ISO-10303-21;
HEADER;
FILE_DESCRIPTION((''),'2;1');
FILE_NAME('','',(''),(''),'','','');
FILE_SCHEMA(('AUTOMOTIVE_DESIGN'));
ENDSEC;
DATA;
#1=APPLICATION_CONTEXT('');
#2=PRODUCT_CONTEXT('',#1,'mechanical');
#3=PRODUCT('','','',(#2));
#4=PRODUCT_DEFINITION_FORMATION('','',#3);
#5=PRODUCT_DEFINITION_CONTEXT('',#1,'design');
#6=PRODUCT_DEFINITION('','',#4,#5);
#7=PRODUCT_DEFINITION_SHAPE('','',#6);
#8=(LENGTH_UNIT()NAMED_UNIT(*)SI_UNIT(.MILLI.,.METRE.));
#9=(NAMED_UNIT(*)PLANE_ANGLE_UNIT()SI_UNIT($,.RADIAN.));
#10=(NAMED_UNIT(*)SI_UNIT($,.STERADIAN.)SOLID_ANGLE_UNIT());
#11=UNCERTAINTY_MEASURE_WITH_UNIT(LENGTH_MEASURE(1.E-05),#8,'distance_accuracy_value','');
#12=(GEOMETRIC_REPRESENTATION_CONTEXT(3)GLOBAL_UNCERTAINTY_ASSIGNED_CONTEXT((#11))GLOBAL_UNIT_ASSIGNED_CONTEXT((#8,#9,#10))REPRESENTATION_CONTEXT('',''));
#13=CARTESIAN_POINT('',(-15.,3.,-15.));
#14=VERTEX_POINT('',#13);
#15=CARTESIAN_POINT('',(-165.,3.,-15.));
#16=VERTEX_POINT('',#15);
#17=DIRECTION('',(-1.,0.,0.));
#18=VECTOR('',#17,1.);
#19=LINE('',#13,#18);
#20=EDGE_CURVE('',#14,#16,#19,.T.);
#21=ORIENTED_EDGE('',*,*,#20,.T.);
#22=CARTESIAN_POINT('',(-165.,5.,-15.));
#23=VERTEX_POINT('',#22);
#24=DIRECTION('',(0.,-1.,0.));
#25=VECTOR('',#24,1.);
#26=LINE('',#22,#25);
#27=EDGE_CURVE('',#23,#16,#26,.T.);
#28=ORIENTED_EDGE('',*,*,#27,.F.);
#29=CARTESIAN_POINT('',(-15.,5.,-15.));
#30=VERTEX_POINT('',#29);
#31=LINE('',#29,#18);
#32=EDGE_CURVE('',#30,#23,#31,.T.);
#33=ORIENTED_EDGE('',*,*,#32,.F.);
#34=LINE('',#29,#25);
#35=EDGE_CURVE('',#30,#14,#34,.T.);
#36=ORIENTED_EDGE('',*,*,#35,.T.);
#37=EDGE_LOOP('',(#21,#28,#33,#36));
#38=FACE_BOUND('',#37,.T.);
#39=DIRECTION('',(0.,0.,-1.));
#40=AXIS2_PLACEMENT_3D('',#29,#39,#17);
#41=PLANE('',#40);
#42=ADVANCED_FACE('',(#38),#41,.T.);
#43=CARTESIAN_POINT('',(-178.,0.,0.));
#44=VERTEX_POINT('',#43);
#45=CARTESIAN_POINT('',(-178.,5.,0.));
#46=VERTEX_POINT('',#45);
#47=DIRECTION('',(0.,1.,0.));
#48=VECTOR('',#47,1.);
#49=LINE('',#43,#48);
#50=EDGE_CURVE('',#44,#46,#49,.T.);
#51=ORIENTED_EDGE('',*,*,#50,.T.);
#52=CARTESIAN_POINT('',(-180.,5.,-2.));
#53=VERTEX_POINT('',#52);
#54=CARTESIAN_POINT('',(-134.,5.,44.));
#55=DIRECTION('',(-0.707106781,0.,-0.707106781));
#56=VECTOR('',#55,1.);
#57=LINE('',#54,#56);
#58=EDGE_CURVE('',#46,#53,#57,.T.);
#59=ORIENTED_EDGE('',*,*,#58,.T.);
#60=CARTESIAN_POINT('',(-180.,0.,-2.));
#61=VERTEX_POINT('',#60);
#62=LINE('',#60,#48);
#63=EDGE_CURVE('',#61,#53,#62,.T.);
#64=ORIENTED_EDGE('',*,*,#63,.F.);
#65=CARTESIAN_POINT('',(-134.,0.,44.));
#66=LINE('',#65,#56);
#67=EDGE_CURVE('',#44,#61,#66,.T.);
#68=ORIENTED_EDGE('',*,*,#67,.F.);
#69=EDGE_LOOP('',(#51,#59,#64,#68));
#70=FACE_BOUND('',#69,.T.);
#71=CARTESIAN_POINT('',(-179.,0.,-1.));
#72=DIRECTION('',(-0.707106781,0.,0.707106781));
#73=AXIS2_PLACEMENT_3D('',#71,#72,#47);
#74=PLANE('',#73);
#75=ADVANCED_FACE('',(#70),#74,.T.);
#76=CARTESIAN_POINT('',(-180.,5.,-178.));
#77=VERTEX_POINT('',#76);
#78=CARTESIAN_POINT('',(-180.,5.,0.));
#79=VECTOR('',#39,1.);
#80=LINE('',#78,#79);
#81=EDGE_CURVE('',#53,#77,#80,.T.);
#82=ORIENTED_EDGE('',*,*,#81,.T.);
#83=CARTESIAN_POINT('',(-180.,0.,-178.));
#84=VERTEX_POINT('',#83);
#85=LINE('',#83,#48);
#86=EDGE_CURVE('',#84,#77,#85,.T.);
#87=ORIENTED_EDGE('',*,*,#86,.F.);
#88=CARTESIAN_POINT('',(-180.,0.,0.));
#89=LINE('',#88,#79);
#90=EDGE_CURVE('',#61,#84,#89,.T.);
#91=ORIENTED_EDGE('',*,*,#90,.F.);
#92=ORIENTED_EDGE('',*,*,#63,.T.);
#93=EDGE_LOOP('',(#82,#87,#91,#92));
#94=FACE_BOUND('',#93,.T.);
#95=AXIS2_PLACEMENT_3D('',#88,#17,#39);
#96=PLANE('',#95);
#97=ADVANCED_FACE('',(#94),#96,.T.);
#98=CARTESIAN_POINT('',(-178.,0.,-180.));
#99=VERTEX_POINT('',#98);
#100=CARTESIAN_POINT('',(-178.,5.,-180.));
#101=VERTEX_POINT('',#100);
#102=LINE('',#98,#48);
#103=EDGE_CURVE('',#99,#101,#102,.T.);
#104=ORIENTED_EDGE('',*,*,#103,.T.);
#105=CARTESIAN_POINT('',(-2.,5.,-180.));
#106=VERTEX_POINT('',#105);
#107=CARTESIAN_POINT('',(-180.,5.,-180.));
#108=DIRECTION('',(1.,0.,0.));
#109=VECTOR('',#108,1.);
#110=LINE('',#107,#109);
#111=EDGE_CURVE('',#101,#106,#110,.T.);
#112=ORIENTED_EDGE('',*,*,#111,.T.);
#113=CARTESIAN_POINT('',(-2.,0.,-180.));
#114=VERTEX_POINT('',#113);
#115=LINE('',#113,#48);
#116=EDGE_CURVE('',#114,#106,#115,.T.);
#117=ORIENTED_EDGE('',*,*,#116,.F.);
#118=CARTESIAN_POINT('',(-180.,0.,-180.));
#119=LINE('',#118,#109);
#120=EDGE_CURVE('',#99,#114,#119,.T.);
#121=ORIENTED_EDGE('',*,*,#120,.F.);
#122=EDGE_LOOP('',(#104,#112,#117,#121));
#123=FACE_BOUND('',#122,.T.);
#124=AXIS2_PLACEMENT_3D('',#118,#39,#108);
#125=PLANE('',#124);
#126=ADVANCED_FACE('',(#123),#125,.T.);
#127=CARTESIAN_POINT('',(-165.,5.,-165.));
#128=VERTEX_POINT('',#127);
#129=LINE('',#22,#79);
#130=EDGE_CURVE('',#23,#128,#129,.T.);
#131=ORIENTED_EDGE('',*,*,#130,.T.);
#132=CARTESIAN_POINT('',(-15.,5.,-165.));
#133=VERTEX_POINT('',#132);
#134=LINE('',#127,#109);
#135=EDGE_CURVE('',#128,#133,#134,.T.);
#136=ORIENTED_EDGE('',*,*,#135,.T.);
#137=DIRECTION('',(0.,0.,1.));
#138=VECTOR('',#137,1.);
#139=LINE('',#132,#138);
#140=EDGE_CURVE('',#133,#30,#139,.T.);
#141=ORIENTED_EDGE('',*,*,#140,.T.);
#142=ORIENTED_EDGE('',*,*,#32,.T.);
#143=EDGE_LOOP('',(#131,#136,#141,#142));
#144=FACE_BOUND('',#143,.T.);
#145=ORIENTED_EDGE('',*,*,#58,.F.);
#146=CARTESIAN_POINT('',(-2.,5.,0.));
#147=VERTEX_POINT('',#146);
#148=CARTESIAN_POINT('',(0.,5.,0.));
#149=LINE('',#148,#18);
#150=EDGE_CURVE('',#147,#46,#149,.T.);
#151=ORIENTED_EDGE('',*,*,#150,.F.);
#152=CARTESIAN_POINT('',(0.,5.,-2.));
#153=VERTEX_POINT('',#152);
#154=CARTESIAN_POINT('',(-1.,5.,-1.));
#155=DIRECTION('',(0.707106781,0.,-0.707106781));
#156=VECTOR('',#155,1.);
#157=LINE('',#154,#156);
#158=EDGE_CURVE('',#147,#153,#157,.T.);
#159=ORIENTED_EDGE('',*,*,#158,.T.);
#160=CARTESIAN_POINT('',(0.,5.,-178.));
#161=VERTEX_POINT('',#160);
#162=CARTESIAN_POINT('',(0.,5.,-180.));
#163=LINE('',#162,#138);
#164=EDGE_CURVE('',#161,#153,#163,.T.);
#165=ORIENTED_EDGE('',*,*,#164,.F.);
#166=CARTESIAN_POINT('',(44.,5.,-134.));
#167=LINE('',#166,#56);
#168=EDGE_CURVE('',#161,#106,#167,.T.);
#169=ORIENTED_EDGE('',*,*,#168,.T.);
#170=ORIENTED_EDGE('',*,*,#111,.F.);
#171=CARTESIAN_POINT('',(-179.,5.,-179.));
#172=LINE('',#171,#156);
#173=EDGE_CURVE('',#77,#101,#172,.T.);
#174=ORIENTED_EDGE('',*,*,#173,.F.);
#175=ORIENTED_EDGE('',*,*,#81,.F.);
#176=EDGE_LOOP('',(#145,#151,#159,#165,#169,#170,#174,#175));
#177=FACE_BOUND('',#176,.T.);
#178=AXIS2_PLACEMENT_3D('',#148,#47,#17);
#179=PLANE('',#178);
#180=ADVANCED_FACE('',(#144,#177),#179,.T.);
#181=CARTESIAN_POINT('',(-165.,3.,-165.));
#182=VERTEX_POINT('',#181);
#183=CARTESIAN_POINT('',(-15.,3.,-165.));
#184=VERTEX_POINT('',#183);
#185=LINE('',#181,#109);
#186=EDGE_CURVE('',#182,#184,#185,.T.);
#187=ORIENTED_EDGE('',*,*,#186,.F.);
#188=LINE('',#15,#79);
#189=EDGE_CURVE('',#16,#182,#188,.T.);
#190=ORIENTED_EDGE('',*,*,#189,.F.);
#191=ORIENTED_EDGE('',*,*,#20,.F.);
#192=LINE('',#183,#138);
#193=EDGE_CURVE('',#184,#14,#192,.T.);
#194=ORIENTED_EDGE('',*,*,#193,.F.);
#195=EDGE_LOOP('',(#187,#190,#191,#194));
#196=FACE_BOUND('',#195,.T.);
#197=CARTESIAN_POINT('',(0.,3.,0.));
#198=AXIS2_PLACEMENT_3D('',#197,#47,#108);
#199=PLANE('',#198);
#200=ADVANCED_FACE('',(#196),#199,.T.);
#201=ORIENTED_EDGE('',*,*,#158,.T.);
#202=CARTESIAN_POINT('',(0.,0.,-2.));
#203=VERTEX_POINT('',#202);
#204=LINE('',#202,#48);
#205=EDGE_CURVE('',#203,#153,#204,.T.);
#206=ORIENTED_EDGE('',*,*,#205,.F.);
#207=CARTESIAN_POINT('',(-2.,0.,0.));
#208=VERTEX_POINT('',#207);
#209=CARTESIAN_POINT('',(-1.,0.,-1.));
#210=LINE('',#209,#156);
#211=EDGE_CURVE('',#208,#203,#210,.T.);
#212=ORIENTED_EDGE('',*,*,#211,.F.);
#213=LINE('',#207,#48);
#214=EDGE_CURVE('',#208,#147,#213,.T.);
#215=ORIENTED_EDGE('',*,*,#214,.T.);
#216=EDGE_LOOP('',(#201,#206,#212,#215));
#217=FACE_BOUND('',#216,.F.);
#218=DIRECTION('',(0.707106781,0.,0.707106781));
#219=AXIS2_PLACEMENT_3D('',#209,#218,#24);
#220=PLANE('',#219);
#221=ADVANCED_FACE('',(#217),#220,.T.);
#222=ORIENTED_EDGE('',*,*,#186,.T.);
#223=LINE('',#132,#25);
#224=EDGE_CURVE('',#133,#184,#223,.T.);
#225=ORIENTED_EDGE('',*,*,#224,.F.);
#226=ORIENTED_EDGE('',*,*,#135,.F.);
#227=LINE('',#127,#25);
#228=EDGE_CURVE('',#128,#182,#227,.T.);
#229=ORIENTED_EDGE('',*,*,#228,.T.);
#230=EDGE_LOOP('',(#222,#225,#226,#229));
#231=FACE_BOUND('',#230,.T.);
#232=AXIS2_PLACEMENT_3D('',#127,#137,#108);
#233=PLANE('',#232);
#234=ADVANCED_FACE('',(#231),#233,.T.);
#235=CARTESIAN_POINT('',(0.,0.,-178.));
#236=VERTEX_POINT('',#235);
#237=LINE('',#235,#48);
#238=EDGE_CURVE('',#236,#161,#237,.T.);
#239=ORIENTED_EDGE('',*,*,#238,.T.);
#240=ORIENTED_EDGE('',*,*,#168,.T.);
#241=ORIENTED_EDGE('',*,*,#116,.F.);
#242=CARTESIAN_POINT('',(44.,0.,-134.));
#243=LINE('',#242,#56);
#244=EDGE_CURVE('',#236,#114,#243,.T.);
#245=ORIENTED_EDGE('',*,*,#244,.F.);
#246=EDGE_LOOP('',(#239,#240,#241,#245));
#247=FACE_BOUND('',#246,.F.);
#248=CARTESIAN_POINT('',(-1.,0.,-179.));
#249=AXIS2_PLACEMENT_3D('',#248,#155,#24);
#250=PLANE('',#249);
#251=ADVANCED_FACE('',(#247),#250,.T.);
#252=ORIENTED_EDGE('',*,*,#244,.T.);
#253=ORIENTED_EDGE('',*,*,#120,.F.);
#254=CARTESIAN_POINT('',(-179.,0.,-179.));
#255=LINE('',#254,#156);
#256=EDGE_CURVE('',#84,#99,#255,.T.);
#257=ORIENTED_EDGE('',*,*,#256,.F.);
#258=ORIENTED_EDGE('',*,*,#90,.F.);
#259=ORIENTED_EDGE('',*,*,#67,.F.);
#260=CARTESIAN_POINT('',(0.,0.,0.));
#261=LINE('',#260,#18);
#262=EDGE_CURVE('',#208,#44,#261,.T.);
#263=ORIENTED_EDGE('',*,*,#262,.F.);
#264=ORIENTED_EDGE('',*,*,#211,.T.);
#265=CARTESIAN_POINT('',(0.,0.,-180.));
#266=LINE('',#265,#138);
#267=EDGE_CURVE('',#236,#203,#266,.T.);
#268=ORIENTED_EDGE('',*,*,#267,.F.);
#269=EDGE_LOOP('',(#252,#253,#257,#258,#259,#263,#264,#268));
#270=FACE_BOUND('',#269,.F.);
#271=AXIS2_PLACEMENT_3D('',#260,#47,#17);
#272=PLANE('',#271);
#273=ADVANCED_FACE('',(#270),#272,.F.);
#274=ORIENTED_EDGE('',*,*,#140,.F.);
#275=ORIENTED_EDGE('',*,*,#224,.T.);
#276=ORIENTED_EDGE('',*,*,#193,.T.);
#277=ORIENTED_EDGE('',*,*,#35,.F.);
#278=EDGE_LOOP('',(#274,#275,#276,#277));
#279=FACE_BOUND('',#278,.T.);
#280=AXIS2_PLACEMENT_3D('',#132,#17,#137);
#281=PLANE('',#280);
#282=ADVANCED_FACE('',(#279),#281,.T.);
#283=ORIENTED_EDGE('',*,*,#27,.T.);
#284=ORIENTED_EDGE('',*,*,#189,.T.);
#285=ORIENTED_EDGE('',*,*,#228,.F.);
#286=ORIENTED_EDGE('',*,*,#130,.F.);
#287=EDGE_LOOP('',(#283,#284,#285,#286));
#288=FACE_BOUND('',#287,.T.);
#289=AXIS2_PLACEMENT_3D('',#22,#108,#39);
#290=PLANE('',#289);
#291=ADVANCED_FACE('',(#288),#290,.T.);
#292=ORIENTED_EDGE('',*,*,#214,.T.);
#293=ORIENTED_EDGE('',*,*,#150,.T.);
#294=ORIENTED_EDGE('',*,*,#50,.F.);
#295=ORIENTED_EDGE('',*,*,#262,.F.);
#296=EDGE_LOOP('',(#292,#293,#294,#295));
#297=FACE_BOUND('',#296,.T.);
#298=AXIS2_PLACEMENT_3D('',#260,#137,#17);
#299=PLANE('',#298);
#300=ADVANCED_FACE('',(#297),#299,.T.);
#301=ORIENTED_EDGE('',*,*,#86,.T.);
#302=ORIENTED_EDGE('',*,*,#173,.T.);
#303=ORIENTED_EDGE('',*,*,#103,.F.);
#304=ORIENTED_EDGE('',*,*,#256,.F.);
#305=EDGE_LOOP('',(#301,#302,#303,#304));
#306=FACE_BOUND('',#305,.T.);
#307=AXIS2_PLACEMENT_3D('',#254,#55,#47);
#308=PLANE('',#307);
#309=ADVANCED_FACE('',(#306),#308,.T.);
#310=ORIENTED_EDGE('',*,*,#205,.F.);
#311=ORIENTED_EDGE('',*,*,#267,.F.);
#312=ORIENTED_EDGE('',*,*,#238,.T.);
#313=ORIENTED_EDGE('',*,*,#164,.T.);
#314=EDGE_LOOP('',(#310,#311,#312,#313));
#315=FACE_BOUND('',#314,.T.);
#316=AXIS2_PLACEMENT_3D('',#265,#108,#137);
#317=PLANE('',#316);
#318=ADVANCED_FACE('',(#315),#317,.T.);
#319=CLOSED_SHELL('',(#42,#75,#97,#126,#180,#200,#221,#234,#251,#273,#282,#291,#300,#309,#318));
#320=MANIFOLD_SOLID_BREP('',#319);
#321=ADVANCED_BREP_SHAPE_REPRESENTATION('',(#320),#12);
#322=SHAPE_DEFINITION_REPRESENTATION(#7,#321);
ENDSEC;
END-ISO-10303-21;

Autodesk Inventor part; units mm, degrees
ref_plane "YZ Plane" through (0, 0, 0) normal (1, 0, 0) x (0, 1, 0)
ref_plane "XZ Plane" through (0, 0, 0) normal (0, 1, 0) x (-1, 0, 0)
ref_plane "XY Plane" through (0, 0, 0) normal (0, 0, 1) x (1, 0, 0)
sketch "Sketch1" plane through (0, 0, 0) normal (0, 1, 0) x (-1, 0, 0)
  line L0 (0, 0) -> (180, 0)
  line L1 (180, 0) -> (180, -180)
  line L2 (180, -180) -> (0, -180)
  line L3 (0, -180) -> (0, 0)
  dimension "d0" = 180
  dimension "d1" = 180
extrude "Extrusion1" add sketch "Sketch1" along normal blind 5
sketch "Sketch2" plane through (0, 5, 0) normal (0, 1, 0) x (1, 0, 0)
  line L0 (-165, 165) -> (-15, 165)
  line L1 (-15, 165) -> (-15, 15)
  line L2 (-15, 15) -> (-165, 15)
  line L3 (-165, 15) -> (-165, 165)
  line L4 (-180, 180) -> (-180, 0) projected
  point P0 (0, 0)
  dimension "d4" = 150
  dimension "d5" = 150
  dimension "d6" = 15
  dimension "d7" = 15
extrude "Extrusion2" cut sketch "Sketch2" against normal blind 2
chamfer "Chamfer1" distance 2 angle 45 4 edges at (-180, 2.5, 0) (-180, 2.5, -180) (0, 2.5, -180) (0, 2.5, 0)
properties part number "MouldBase20"
